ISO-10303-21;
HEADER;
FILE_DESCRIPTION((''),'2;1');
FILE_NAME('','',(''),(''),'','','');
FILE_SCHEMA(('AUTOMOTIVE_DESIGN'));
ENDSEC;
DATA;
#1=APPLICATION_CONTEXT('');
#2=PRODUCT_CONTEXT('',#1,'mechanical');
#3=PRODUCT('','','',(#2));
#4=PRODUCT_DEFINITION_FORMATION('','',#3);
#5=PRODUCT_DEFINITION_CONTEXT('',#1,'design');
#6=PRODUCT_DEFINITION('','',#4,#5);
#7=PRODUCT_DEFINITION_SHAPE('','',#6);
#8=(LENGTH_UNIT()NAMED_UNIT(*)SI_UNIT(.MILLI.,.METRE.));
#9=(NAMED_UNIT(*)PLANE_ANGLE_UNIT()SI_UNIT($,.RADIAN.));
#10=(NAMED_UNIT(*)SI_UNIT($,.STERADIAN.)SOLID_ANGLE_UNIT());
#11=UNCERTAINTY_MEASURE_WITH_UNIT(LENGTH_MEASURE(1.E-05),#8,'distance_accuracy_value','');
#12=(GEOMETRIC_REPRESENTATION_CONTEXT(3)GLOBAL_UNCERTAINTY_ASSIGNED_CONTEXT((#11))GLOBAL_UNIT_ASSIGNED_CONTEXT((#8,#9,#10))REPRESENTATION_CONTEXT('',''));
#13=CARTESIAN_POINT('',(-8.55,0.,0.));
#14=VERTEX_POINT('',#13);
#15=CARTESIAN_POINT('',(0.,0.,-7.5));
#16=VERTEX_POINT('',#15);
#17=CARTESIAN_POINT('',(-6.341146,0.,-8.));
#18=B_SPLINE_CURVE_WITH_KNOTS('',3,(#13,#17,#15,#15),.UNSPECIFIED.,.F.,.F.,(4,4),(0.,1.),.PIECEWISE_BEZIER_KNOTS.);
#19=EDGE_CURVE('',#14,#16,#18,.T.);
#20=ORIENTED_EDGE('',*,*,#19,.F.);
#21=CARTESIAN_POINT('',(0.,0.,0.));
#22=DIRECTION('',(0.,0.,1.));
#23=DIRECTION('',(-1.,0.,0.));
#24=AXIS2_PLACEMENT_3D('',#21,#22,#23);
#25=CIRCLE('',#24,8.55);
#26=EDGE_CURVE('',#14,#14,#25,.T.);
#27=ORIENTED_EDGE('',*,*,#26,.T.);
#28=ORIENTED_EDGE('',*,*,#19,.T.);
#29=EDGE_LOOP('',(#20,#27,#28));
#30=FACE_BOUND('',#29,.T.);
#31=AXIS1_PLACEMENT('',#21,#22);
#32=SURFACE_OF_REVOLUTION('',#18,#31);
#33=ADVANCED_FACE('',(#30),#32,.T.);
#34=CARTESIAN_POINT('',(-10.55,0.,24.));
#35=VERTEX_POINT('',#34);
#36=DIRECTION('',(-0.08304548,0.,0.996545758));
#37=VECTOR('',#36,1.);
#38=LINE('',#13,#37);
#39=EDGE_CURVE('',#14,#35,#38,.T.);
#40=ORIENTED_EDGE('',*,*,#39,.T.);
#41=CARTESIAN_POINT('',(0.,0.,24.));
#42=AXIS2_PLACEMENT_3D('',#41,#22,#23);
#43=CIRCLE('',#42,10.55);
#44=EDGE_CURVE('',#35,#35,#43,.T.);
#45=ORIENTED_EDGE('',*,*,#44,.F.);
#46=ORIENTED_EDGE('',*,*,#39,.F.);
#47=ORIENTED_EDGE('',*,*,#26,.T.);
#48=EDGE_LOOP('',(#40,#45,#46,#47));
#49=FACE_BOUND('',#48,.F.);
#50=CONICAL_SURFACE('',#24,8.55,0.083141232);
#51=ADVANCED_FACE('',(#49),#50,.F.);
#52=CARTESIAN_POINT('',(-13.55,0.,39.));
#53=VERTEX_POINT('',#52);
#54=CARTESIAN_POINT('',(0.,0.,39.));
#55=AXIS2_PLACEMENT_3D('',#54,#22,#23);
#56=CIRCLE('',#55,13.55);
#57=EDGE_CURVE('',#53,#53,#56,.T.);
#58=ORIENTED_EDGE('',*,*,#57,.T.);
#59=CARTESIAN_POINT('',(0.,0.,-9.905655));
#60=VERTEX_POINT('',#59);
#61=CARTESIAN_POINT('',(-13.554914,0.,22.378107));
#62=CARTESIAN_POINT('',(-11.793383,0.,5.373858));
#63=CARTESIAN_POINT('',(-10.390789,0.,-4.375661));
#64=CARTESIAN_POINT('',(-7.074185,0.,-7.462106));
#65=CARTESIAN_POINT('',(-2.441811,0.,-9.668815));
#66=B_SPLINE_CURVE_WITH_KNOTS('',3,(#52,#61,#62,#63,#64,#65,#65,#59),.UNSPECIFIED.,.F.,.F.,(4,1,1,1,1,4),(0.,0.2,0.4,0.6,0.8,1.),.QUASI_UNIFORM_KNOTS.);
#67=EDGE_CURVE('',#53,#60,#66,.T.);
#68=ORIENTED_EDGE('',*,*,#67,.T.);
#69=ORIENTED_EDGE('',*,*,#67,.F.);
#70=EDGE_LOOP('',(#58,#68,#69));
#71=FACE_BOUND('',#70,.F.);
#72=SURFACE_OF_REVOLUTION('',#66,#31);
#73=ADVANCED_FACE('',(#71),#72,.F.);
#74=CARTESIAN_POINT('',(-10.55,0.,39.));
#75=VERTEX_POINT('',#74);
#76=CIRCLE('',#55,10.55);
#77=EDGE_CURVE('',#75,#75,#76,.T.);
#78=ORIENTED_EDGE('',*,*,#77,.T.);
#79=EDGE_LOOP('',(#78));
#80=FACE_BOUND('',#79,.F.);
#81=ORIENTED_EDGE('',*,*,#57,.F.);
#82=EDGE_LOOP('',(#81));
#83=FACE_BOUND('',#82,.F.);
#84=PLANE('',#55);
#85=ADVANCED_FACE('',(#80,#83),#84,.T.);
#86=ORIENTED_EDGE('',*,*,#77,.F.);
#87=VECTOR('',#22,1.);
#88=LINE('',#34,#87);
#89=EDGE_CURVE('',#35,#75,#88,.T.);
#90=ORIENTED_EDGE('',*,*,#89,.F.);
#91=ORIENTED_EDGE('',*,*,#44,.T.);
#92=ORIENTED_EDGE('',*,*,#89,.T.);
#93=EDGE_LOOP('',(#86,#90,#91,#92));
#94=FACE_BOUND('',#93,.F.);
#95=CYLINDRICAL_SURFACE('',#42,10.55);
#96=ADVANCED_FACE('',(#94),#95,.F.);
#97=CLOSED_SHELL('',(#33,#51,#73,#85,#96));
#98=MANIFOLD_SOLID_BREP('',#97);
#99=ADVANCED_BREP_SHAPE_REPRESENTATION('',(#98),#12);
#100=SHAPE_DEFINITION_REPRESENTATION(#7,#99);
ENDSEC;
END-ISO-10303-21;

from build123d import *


with BuildPart() as part:
    # Sketch → Revolution (revolve)
    with BuildSketch(Plane.XZ):
        with BuildLine():
            Line((-8.55, 0), (-10.55, 24))
            Line((-10.55, 24), (-10.55, 39))
            Line((-10.55, 39), (-13.55, 39))
            add(Edge.make_bspline(
                [(-13.55, 39), (-13.554914, 22.378107), (-11.793383, 5.373858), (-10.390789, -4.375661), (-7.074185, -7.462106), (-2.441811, -9.668815), (-2.441811, -9.668815), (0, -9.905655)],
                knots=[0, 0, 0, 0, 0.2, 0.4, 0.6, 0.8, 1, 1, 1, 1], degree=3))
            Line((0, -9.905655), (0, -7.5))
            add(Edge.make_bspline(
                [(-8.55, 0), (-6.341146, -8), (0, -7.5), (0, -7.5)],
                knots=[0, 0, 0, 0, 1, 1, 1, 1], degree=3))
        make_face()
    revolve(axis=Axis((0, 0, 0), (0, 0, 1)))


solid = part.part
